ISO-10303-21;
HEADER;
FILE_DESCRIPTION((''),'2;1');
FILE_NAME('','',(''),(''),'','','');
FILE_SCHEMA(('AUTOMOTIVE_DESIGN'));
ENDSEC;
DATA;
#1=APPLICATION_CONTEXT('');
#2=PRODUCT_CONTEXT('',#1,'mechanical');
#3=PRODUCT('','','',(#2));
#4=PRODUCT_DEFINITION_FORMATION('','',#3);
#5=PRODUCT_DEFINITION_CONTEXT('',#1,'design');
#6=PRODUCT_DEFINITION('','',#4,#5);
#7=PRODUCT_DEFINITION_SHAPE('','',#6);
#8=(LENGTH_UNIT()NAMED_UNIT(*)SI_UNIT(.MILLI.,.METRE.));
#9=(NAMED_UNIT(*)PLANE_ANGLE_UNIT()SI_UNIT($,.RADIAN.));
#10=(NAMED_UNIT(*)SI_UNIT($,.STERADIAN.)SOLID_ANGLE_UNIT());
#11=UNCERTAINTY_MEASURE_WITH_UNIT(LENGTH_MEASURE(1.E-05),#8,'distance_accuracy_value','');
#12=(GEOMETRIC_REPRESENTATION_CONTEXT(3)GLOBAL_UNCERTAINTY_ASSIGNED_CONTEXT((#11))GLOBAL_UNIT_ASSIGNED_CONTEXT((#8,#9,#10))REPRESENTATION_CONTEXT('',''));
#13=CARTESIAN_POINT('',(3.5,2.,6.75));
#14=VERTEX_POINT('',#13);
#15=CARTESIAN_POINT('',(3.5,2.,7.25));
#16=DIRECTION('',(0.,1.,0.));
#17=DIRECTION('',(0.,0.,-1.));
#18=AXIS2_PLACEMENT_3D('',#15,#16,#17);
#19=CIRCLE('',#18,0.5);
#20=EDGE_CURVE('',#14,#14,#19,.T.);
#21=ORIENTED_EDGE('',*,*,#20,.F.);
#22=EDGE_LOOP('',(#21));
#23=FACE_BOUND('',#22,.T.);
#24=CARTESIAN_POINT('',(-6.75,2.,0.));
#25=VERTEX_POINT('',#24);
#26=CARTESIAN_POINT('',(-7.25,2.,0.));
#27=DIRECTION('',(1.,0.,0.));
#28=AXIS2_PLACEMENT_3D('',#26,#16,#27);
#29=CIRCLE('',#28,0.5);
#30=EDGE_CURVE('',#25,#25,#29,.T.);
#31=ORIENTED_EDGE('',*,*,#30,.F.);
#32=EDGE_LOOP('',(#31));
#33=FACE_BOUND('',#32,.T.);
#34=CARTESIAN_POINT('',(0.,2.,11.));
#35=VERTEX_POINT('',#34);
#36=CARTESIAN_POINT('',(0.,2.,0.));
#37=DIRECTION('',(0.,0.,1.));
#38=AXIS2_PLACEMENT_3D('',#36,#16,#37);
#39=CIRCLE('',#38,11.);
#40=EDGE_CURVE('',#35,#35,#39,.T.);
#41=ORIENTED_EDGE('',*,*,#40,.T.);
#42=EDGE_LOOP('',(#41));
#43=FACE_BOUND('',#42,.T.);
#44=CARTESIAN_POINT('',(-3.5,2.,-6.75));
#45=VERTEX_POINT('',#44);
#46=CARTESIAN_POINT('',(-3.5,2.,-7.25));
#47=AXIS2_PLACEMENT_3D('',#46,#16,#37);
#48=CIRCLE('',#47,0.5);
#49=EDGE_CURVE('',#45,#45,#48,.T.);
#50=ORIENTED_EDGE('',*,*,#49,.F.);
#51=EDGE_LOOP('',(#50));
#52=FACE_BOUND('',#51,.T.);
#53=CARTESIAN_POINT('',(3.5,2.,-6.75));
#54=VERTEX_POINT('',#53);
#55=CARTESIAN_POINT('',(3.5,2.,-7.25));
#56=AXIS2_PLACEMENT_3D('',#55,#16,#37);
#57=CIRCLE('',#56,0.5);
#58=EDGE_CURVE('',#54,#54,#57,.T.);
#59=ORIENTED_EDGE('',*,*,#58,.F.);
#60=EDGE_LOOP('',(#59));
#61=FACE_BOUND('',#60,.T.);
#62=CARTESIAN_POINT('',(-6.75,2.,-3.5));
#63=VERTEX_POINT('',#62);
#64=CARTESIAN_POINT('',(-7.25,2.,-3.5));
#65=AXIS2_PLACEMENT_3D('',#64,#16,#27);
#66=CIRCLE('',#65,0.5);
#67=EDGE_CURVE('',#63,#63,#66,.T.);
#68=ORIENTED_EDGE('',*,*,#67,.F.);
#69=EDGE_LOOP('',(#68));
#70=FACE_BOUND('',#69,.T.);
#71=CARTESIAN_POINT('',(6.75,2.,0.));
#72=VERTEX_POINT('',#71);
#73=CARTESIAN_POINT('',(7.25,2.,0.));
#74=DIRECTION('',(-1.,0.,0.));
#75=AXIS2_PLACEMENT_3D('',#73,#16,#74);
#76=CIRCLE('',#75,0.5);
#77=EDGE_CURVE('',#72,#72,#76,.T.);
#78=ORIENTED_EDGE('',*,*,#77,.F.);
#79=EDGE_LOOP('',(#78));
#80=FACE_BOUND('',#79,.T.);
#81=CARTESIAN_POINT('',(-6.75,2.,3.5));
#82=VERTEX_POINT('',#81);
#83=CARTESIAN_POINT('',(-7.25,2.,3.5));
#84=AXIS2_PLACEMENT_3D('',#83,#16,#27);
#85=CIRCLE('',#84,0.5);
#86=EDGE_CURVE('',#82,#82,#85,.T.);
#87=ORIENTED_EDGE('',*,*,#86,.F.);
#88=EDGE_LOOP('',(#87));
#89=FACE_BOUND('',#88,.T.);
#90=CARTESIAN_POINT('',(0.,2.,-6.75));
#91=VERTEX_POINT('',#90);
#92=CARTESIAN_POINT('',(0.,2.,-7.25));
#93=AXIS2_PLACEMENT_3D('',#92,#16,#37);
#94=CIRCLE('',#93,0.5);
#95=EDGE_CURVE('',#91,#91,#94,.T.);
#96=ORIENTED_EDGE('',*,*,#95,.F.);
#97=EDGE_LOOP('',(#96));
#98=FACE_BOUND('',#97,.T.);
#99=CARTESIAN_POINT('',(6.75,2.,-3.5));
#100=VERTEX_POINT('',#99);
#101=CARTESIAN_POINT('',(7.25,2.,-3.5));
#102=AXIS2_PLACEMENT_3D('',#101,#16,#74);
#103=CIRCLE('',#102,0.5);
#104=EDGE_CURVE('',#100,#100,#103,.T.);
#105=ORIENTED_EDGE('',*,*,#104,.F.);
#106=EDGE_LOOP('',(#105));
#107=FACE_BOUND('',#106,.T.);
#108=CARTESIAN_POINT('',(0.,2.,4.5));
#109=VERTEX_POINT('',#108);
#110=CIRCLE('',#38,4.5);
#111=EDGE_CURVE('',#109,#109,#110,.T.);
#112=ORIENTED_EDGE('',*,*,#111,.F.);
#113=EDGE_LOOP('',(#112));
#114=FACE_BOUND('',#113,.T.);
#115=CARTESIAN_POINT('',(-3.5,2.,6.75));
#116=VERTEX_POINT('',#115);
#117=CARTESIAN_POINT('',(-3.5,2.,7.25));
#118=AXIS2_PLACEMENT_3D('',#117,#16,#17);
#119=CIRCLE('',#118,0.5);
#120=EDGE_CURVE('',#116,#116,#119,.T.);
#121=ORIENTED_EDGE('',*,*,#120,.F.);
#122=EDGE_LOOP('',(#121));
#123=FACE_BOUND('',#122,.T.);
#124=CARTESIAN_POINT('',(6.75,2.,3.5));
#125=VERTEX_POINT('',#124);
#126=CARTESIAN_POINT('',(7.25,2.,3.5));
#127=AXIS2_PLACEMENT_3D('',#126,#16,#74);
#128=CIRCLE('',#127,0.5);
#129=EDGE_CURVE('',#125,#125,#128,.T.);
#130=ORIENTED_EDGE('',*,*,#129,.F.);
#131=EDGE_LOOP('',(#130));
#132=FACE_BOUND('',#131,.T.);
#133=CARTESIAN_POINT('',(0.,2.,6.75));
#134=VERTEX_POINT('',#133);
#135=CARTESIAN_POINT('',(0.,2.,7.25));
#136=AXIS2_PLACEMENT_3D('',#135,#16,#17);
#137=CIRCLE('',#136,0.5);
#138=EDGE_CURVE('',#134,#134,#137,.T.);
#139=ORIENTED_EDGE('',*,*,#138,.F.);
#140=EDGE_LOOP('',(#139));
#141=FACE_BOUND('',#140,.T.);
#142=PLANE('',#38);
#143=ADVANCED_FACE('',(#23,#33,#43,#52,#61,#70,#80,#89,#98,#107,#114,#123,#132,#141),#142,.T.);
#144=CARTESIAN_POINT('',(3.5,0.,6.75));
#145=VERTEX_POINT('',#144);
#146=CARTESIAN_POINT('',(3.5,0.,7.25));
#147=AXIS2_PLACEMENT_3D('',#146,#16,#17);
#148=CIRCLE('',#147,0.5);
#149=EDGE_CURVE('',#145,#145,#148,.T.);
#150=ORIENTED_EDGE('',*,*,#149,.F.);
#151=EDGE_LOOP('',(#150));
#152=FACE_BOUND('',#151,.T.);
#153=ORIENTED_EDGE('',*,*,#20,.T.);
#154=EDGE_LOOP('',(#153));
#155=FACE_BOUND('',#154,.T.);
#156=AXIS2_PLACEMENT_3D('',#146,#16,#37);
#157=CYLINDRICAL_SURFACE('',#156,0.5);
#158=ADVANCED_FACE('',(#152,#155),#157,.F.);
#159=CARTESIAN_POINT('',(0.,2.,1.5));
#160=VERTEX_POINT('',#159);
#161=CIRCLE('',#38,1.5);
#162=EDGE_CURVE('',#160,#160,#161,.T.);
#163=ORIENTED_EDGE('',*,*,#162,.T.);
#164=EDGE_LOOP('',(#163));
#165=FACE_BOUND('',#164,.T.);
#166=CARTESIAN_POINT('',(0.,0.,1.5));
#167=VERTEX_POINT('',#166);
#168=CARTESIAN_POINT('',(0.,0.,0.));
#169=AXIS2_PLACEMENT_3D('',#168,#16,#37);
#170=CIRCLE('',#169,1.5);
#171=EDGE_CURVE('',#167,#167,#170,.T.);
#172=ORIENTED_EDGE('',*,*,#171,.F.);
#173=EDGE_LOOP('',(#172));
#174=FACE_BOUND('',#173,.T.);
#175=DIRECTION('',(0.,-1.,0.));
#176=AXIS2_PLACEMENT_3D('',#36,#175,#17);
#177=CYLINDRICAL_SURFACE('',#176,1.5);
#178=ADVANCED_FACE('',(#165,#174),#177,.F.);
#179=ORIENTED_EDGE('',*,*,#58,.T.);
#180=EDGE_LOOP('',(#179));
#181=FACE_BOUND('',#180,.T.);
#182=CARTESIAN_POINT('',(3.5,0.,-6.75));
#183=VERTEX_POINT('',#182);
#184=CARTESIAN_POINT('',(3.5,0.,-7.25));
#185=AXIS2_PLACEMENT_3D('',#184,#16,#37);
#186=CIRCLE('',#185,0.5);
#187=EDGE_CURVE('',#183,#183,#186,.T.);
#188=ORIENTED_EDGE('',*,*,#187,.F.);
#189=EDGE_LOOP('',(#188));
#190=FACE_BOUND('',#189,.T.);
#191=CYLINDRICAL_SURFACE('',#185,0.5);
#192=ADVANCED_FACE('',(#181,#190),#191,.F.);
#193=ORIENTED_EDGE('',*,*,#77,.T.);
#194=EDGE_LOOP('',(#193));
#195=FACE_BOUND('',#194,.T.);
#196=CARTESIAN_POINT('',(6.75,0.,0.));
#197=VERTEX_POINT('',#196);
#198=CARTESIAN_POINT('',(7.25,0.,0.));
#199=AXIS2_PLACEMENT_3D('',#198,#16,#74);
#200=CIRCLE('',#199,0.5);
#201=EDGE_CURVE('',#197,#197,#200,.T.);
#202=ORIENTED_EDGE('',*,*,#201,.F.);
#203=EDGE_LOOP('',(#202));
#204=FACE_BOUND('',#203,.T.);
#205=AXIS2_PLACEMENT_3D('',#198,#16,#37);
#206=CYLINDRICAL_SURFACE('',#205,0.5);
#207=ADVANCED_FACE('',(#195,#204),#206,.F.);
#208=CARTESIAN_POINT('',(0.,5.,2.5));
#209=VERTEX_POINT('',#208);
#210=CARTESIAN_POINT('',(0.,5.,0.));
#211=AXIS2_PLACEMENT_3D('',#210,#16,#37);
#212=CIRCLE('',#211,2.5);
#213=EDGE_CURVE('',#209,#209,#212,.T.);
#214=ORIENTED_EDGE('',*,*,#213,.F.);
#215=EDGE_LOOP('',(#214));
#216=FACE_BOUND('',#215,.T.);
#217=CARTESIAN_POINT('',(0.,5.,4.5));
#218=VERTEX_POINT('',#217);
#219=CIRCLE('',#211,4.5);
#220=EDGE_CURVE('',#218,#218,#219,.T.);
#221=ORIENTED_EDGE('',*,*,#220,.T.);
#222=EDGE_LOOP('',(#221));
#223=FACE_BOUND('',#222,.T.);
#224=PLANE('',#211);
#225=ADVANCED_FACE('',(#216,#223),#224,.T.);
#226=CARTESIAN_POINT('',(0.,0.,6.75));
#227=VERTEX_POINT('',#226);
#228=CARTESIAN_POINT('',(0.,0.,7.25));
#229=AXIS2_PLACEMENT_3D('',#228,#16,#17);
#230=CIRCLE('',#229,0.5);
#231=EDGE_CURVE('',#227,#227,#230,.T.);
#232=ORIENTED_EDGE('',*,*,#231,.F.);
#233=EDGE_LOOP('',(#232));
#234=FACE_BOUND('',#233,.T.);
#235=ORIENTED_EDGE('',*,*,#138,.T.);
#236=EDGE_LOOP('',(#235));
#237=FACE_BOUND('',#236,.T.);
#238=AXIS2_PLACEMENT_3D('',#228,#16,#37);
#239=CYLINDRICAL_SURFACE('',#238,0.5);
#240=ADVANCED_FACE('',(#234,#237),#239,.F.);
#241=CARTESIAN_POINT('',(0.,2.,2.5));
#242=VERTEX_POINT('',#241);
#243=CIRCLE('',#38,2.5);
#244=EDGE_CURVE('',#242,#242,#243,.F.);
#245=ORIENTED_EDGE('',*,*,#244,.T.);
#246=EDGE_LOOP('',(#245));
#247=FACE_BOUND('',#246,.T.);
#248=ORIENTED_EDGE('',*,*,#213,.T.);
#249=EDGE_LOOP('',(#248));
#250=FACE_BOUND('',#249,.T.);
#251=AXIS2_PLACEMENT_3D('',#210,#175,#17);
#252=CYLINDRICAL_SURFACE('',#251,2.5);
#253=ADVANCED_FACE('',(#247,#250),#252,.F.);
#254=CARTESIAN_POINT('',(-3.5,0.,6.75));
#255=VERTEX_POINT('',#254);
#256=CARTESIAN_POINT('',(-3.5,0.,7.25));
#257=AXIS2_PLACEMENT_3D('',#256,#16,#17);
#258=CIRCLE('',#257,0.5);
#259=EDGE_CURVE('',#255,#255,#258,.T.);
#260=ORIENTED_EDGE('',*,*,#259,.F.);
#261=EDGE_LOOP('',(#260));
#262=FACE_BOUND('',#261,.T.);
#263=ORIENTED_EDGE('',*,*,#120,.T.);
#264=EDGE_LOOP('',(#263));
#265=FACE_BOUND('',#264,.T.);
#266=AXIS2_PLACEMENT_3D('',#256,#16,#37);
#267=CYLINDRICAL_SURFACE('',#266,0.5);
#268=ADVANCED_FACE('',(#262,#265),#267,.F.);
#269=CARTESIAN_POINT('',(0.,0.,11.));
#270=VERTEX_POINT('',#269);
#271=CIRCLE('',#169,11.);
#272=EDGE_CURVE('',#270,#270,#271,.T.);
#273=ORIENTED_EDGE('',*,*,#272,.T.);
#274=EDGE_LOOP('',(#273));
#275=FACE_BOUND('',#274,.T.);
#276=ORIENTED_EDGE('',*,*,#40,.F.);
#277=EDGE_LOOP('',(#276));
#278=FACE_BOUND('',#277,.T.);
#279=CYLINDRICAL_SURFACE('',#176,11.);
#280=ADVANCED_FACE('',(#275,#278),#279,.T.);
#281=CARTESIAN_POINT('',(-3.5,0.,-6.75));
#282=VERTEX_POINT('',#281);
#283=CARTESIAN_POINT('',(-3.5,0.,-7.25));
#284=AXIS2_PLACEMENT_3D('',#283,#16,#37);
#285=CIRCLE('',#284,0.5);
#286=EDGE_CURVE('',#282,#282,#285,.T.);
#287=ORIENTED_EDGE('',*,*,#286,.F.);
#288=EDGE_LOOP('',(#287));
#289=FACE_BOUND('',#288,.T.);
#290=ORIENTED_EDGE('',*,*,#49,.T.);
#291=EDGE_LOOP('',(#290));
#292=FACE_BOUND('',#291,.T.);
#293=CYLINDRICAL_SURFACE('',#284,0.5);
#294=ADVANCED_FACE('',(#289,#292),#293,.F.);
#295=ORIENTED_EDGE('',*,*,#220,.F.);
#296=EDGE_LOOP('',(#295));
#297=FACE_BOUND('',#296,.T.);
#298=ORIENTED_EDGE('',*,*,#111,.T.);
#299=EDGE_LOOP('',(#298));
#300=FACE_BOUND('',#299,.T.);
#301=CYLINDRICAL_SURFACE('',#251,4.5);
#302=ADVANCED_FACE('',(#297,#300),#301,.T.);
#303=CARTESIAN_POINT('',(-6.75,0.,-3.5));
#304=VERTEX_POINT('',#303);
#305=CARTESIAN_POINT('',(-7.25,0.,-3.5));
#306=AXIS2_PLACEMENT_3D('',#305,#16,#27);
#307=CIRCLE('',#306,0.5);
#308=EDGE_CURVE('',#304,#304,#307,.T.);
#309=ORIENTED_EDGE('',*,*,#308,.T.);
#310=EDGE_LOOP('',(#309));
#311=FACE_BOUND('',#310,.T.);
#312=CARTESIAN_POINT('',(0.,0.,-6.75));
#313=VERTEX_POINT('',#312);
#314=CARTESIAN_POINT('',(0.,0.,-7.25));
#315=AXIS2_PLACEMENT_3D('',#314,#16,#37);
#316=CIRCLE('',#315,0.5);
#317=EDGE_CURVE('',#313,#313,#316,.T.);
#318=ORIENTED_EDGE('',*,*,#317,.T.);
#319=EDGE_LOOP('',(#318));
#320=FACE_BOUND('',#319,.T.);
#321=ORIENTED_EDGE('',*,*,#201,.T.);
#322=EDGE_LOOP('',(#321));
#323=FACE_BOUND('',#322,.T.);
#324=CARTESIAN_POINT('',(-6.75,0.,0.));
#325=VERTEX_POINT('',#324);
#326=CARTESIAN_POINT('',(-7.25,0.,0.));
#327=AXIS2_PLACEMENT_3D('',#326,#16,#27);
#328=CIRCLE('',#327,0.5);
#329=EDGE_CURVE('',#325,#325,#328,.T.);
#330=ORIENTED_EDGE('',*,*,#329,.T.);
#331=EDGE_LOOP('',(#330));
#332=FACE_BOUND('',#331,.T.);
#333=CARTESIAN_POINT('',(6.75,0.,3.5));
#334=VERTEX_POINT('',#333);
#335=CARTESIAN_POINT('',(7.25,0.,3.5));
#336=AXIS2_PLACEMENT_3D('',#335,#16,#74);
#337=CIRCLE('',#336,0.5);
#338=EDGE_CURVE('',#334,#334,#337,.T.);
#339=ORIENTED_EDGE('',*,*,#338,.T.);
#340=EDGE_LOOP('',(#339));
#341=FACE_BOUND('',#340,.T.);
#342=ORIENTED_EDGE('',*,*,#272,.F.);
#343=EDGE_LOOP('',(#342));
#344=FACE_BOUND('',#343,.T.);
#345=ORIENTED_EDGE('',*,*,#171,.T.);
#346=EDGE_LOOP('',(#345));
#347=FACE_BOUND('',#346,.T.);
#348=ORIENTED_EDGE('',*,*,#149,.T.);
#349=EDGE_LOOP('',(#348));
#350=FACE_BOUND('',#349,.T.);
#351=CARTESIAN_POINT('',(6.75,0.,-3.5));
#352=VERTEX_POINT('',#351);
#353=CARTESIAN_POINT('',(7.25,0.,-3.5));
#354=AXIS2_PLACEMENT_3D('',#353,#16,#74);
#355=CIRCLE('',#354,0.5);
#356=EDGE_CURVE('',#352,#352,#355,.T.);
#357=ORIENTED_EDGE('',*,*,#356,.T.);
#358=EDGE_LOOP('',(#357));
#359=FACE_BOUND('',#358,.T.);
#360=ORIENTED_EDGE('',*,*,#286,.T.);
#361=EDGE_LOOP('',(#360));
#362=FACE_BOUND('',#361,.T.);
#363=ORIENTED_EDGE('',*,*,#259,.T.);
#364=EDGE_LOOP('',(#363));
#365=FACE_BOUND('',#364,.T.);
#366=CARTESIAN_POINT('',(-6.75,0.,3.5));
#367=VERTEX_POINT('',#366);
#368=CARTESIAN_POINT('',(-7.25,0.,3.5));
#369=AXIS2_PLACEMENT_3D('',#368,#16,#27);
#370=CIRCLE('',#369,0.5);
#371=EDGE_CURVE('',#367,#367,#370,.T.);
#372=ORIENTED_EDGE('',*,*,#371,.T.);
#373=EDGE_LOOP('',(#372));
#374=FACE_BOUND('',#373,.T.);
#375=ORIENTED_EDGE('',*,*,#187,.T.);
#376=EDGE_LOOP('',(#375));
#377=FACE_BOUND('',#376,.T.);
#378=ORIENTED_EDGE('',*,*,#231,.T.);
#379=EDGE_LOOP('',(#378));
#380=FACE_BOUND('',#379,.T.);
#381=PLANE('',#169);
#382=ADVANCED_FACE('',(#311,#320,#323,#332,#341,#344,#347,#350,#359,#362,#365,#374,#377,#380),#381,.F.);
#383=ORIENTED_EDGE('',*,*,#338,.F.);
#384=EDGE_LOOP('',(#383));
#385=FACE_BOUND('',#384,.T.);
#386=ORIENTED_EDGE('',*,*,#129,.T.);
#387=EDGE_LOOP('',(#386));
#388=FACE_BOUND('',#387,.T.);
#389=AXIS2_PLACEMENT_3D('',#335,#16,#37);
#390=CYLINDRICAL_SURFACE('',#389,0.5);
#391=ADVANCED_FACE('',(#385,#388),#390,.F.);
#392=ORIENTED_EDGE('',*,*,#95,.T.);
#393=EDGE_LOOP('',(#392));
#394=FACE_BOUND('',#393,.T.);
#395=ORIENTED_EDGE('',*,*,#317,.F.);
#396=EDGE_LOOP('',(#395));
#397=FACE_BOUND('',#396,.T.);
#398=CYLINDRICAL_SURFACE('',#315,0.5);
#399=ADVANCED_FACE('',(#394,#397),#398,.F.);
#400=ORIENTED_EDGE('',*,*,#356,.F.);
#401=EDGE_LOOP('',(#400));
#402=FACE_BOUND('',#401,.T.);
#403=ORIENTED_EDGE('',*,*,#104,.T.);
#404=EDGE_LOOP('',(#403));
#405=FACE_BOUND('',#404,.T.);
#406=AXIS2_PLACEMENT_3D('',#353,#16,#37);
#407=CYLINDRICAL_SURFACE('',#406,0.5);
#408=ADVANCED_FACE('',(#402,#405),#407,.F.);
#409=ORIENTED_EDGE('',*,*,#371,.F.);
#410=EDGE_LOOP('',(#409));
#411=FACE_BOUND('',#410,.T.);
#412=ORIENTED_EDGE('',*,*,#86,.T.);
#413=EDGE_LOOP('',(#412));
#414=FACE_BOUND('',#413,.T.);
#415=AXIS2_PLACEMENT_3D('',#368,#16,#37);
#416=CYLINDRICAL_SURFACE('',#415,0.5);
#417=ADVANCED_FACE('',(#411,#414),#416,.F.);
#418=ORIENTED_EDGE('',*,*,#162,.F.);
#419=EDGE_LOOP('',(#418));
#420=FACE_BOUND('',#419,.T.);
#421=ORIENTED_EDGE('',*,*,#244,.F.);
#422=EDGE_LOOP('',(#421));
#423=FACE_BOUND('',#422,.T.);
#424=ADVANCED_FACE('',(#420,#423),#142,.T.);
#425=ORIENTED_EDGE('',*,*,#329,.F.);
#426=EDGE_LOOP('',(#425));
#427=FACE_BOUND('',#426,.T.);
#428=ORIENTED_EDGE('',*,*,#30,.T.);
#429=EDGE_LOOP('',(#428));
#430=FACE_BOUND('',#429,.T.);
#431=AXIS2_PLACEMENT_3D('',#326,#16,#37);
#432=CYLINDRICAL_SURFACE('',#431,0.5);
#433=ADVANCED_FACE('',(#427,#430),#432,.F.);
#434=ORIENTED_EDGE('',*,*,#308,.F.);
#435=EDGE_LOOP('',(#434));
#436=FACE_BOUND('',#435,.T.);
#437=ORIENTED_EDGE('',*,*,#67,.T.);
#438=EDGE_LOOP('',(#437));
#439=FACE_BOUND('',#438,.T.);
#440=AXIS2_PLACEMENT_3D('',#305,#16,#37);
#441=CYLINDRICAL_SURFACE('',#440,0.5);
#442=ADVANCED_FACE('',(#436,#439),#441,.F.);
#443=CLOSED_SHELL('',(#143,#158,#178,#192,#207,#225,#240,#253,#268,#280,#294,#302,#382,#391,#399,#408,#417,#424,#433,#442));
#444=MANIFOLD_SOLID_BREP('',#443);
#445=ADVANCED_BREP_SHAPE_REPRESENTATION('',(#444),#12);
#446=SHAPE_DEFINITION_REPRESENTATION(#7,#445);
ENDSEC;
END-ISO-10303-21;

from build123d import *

# Parameters (mm, degrees)
SKETCH1_R           = 11
SKETCH1_R_2         = 1.5
BOSS_EXTRUDE1_DEPTH = 2
SKETCH2_R           = 4.5
SKETCH2_R_2         = 2.5
BOSS_EXTRUDE2_DEPTH = 3
SKETCH3_R           = 0.5
CUT_EXTRUDE1_DEPTH  = 16.842979518
CIRPATTERN1_COUNT   = 4


with BuildPart() as part:
    # Sketch1 → Boss-Extrude1 (new body)
    with BuildSketch(Plane(origin=(0, 0, 0), x_dir=(1, 0, 0), z_dir=(0, 1, 0))):
        with Locations(Location((0, 0, 0), (0, 0, 270))):
            Circle(SKETCH1_R)
        with Locations(Location((0, 0, 0), (0, 0, 270))):
            Circle(SKETCH1_R_2, mode=Mode.SUBTRACT)
    extrude(amount=BOSS_EXTRUDE1_DEPTH)

    # Sketch2 → Boss-Extrude2 (add)
    with BuildSketch(Plane(origin=(0, 2, 0), x_dir=(1, 0, 0), z_dir=(0, 1, 0))):
        with Locations(Location((0, 0, 0), (0, 0, 270))):
            Circle(SKETCH2_R)
        with Locations(Location((0, 0, 0), (0, 0, 270))):
            Circle(SKETCH2_R_2, mode=Mode.SUBTRACT)
    extrude(amount=BOSS_EXTRUDE2_DEPTH)

    # Sketch3 → Cut-Extrude1 (cut, through all)
    with BuildSketch(Plane(origin=(0, 2, 0), x_dir=(1, 0, 0), z_dir=(0, 1, 0))):
        with Locations(Location((-3.5, 7.25, 0), (0, 0, 270))):
            Circle(SKETCH3_R)
        with Locations(Location((0, 7.25, 0), (0, 0, 270))):
            Circle(SKETCH3_R)
        with Locations(Location((3.5, 7.25, 0), (0, 0, 270))):
            Circle(SKETCH3_R)
    cut_extrude1 = extrude(amount=-CUT_EXTRUDE1_DEPTH, mode=Mode.SUBTRACT)

    # CirPattern1: Cut-Extrude1 ×4 about axis
    cirpattern1_axis = Axis((0, 0, 0), (0, 1, 0))
    for i in range(1, CIRPATTERN1_COUNT):
        add(cut_extrude1.rotate(cirpattern1_axis, i * 360 / CIRPATTERN1_COUNT), mode=Mode.SUBTRACT)


solid = part.part
